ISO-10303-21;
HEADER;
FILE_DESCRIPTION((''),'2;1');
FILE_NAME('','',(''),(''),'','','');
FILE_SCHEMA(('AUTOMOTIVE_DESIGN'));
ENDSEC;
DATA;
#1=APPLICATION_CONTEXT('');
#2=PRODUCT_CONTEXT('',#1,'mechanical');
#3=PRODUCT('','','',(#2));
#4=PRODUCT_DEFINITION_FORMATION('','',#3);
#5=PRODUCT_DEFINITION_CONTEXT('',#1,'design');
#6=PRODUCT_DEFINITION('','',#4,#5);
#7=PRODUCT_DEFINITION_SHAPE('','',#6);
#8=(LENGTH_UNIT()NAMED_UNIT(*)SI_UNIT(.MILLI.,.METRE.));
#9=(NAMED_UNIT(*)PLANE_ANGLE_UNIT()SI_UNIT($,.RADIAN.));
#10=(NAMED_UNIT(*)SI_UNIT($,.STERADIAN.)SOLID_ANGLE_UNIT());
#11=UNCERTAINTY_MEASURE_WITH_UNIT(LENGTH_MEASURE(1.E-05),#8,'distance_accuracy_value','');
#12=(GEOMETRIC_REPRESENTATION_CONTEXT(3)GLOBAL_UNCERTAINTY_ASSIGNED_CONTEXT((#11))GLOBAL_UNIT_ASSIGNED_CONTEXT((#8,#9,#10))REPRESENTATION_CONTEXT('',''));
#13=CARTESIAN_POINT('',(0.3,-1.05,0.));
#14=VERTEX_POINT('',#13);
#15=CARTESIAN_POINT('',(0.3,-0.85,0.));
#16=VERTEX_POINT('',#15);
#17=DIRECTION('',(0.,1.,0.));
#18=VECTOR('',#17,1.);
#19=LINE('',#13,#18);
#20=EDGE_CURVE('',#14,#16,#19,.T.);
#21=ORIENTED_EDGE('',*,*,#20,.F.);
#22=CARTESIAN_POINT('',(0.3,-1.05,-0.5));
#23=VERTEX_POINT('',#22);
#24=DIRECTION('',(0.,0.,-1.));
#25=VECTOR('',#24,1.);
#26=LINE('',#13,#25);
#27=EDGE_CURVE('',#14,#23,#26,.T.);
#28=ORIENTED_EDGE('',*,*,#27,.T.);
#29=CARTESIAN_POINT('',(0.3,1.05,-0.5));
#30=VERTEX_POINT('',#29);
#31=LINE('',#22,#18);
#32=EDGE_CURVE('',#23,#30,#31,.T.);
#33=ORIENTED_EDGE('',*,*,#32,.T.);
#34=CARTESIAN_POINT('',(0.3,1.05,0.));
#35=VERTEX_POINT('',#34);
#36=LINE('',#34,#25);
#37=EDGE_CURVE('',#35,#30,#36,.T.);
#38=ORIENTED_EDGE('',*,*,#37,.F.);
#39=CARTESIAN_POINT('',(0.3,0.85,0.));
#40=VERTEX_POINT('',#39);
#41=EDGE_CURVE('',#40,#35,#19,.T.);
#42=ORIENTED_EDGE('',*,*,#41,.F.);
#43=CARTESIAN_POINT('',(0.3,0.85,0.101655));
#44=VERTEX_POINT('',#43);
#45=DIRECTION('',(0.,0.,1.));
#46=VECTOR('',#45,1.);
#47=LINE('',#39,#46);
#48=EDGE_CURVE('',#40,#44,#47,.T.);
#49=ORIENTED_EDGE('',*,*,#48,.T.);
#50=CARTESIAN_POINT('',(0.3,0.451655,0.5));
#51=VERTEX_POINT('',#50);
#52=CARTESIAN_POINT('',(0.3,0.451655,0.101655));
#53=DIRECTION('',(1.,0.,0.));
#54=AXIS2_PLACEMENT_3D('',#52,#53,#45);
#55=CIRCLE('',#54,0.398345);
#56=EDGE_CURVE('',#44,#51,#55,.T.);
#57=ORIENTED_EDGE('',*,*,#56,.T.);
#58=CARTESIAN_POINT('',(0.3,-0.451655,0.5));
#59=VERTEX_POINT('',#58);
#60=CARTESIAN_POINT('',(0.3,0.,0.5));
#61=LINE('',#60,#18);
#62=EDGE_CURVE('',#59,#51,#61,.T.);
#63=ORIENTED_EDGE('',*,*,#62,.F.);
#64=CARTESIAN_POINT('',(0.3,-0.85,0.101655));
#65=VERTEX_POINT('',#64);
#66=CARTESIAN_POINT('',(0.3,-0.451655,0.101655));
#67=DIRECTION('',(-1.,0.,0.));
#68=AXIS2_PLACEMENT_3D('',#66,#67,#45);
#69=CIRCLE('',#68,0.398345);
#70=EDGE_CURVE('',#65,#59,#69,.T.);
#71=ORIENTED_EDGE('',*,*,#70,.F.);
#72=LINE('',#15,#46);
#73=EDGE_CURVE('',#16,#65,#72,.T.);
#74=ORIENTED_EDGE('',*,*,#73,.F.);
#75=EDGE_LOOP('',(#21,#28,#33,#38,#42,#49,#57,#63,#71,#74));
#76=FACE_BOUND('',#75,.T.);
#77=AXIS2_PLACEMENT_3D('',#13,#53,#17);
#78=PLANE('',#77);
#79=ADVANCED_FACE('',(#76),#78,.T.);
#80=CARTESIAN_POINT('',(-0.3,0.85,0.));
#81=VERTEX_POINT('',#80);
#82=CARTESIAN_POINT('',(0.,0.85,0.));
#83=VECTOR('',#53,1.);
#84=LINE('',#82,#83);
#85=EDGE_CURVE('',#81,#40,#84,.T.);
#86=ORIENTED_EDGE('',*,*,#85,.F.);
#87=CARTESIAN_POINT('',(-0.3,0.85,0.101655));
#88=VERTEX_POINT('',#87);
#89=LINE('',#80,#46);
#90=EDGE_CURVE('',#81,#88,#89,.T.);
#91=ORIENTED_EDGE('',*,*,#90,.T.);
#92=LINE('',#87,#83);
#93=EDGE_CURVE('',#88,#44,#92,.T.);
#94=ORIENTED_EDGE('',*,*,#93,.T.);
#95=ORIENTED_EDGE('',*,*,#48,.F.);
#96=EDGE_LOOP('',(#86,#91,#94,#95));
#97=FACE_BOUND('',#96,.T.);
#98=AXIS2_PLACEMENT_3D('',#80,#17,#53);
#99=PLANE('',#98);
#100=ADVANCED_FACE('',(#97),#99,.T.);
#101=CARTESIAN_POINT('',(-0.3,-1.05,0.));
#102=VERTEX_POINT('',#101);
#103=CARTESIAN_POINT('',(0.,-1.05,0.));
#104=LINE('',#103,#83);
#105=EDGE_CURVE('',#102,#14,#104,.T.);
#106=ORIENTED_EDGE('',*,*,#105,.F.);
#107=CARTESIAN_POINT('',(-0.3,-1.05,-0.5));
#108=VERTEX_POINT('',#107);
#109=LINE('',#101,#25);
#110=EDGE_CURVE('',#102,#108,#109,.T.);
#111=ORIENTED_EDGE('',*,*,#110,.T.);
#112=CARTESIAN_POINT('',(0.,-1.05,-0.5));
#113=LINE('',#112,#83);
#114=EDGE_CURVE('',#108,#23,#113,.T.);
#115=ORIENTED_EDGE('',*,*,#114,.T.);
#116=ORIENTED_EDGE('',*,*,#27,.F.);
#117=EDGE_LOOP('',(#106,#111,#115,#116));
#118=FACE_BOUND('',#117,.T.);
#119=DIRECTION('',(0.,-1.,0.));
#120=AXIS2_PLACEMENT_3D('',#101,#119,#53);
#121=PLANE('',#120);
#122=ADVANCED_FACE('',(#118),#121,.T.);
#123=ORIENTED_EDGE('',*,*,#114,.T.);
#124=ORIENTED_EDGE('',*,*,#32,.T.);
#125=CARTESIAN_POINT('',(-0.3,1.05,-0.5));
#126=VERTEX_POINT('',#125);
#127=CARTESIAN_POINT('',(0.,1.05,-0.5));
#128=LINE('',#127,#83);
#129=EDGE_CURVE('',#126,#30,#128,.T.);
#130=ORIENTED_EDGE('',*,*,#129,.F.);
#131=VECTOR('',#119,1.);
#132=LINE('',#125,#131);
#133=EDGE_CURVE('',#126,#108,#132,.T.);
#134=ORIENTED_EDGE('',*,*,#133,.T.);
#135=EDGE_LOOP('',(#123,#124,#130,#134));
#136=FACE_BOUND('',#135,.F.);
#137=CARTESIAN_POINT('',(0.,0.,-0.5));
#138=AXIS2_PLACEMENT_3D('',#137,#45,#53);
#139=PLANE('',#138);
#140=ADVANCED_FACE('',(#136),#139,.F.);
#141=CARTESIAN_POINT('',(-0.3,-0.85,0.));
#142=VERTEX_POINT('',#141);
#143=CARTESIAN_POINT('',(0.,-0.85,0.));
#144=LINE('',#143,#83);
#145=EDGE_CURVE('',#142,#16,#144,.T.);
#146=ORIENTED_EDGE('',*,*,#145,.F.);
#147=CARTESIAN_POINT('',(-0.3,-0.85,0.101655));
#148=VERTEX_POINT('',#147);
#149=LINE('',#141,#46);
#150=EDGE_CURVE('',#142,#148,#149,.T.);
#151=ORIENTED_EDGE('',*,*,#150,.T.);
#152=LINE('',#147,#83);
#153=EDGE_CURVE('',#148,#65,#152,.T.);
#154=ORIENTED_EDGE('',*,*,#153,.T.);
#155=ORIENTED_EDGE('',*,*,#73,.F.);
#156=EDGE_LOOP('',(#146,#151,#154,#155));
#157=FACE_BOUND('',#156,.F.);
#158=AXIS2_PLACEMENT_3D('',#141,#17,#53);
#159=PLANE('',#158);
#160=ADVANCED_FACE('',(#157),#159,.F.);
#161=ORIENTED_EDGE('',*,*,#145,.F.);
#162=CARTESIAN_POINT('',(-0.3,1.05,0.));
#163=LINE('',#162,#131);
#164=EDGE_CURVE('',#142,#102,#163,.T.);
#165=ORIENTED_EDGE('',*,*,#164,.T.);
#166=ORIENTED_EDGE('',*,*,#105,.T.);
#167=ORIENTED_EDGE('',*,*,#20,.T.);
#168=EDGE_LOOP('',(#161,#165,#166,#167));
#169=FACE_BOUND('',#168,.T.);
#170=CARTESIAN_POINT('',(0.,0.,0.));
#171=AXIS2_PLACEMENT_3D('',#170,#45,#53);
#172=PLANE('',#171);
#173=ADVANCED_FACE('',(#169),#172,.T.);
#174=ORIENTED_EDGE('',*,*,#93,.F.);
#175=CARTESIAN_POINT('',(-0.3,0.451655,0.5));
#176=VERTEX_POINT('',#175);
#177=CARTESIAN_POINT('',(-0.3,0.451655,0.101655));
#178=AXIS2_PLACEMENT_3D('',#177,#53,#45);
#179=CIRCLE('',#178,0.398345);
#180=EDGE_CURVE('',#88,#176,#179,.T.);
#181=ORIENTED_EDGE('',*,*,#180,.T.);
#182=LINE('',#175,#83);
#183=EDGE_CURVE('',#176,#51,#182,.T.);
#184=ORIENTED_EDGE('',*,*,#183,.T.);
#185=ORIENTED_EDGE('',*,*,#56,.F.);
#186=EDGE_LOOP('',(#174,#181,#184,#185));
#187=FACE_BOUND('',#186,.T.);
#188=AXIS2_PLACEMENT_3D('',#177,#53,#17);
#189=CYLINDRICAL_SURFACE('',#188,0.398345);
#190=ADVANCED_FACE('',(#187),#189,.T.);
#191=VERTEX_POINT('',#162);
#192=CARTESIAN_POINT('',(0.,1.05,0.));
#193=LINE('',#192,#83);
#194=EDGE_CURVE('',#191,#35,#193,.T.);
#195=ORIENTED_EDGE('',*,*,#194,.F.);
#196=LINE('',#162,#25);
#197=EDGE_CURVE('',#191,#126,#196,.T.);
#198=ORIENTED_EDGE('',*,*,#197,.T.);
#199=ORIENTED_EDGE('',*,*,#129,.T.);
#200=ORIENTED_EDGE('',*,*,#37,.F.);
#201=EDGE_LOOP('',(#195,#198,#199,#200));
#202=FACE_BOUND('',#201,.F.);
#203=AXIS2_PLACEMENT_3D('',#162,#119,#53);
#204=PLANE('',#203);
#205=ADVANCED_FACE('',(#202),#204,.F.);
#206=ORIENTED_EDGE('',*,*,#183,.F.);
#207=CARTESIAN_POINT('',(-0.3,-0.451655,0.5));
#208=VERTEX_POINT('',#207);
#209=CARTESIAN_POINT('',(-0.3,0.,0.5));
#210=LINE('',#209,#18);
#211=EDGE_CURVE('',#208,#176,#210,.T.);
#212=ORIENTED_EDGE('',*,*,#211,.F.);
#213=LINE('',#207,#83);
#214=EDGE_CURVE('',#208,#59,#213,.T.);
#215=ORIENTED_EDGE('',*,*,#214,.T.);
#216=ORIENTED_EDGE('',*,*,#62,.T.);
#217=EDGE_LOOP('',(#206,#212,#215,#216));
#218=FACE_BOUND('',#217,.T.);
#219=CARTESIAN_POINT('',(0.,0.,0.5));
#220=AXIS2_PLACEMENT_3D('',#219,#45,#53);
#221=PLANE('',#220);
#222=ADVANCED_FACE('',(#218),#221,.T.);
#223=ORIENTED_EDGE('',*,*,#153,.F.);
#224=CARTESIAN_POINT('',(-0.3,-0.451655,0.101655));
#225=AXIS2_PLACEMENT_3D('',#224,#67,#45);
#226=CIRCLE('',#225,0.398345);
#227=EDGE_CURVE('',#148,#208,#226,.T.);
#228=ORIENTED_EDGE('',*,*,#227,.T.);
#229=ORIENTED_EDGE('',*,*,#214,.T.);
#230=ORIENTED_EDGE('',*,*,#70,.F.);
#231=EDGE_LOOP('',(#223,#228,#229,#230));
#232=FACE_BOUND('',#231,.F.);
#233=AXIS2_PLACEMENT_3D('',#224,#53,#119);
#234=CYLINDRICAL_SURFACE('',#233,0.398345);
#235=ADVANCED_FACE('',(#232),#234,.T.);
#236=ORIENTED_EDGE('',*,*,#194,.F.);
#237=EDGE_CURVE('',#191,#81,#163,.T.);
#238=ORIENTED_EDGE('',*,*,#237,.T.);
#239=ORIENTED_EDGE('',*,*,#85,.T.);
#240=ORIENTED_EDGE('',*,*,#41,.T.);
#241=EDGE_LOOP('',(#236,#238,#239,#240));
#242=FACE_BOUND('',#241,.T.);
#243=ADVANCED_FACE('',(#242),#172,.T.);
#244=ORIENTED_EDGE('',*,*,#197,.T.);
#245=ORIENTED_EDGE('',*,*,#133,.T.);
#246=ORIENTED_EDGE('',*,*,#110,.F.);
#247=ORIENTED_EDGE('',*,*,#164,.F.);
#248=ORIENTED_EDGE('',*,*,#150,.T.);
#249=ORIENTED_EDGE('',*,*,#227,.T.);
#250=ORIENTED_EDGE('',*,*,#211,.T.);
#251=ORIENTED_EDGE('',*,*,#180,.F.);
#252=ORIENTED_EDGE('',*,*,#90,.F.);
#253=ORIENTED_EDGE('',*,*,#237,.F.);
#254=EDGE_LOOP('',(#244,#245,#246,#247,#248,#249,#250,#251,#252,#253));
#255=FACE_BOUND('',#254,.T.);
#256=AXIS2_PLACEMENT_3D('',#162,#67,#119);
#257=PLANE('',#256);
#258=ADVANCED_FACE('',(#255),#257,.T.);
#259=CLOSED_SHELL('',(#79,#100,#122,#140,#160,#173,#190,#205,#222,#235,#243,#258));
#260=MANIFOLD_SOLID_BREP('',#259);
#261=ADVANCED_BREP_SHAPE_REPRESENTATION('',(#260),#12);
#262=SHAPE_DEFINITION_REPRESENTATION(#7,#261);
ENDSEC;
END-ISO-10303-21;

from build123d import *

# Parameters (mm, degrees)
F0_W     = 0.6
F0_H     = 1.7
F0_H_2   = 0.2
F1_DEPTH = 0.5
F2_DEPTH = 0.5
F3_R     = 0.398345


with BuildPart() as f1:
    # F0 (on Top) → F1 (new body)
    with BuildSketch(Plane.XY):
        Rectangle(F0_W, F0_H)
        with Locations((0, -0.95)):
            Rectangle(F0_W, F0_H_2)
        with Locations((0, 0.95)):
            Rectangle(F0_W, F0_H_2)
    extrude(amount=-F1_DEPTH)

    # F0 (on Top) → F2 (join)
    with BuildSketch(Plane.XY):
        Rectangle(F0_W, F0_H)
    extrude(amount=F2_DEPTH)

    # F3
    f3_edges = [f1.edges().sort_by_distance(p)[0] for p in [
        (0, -0.85, 0.5),
        (0, 0.85, 0.5),
    ]]
    fillet(f3_edges, radius=F3_R)


solid = f1.part
